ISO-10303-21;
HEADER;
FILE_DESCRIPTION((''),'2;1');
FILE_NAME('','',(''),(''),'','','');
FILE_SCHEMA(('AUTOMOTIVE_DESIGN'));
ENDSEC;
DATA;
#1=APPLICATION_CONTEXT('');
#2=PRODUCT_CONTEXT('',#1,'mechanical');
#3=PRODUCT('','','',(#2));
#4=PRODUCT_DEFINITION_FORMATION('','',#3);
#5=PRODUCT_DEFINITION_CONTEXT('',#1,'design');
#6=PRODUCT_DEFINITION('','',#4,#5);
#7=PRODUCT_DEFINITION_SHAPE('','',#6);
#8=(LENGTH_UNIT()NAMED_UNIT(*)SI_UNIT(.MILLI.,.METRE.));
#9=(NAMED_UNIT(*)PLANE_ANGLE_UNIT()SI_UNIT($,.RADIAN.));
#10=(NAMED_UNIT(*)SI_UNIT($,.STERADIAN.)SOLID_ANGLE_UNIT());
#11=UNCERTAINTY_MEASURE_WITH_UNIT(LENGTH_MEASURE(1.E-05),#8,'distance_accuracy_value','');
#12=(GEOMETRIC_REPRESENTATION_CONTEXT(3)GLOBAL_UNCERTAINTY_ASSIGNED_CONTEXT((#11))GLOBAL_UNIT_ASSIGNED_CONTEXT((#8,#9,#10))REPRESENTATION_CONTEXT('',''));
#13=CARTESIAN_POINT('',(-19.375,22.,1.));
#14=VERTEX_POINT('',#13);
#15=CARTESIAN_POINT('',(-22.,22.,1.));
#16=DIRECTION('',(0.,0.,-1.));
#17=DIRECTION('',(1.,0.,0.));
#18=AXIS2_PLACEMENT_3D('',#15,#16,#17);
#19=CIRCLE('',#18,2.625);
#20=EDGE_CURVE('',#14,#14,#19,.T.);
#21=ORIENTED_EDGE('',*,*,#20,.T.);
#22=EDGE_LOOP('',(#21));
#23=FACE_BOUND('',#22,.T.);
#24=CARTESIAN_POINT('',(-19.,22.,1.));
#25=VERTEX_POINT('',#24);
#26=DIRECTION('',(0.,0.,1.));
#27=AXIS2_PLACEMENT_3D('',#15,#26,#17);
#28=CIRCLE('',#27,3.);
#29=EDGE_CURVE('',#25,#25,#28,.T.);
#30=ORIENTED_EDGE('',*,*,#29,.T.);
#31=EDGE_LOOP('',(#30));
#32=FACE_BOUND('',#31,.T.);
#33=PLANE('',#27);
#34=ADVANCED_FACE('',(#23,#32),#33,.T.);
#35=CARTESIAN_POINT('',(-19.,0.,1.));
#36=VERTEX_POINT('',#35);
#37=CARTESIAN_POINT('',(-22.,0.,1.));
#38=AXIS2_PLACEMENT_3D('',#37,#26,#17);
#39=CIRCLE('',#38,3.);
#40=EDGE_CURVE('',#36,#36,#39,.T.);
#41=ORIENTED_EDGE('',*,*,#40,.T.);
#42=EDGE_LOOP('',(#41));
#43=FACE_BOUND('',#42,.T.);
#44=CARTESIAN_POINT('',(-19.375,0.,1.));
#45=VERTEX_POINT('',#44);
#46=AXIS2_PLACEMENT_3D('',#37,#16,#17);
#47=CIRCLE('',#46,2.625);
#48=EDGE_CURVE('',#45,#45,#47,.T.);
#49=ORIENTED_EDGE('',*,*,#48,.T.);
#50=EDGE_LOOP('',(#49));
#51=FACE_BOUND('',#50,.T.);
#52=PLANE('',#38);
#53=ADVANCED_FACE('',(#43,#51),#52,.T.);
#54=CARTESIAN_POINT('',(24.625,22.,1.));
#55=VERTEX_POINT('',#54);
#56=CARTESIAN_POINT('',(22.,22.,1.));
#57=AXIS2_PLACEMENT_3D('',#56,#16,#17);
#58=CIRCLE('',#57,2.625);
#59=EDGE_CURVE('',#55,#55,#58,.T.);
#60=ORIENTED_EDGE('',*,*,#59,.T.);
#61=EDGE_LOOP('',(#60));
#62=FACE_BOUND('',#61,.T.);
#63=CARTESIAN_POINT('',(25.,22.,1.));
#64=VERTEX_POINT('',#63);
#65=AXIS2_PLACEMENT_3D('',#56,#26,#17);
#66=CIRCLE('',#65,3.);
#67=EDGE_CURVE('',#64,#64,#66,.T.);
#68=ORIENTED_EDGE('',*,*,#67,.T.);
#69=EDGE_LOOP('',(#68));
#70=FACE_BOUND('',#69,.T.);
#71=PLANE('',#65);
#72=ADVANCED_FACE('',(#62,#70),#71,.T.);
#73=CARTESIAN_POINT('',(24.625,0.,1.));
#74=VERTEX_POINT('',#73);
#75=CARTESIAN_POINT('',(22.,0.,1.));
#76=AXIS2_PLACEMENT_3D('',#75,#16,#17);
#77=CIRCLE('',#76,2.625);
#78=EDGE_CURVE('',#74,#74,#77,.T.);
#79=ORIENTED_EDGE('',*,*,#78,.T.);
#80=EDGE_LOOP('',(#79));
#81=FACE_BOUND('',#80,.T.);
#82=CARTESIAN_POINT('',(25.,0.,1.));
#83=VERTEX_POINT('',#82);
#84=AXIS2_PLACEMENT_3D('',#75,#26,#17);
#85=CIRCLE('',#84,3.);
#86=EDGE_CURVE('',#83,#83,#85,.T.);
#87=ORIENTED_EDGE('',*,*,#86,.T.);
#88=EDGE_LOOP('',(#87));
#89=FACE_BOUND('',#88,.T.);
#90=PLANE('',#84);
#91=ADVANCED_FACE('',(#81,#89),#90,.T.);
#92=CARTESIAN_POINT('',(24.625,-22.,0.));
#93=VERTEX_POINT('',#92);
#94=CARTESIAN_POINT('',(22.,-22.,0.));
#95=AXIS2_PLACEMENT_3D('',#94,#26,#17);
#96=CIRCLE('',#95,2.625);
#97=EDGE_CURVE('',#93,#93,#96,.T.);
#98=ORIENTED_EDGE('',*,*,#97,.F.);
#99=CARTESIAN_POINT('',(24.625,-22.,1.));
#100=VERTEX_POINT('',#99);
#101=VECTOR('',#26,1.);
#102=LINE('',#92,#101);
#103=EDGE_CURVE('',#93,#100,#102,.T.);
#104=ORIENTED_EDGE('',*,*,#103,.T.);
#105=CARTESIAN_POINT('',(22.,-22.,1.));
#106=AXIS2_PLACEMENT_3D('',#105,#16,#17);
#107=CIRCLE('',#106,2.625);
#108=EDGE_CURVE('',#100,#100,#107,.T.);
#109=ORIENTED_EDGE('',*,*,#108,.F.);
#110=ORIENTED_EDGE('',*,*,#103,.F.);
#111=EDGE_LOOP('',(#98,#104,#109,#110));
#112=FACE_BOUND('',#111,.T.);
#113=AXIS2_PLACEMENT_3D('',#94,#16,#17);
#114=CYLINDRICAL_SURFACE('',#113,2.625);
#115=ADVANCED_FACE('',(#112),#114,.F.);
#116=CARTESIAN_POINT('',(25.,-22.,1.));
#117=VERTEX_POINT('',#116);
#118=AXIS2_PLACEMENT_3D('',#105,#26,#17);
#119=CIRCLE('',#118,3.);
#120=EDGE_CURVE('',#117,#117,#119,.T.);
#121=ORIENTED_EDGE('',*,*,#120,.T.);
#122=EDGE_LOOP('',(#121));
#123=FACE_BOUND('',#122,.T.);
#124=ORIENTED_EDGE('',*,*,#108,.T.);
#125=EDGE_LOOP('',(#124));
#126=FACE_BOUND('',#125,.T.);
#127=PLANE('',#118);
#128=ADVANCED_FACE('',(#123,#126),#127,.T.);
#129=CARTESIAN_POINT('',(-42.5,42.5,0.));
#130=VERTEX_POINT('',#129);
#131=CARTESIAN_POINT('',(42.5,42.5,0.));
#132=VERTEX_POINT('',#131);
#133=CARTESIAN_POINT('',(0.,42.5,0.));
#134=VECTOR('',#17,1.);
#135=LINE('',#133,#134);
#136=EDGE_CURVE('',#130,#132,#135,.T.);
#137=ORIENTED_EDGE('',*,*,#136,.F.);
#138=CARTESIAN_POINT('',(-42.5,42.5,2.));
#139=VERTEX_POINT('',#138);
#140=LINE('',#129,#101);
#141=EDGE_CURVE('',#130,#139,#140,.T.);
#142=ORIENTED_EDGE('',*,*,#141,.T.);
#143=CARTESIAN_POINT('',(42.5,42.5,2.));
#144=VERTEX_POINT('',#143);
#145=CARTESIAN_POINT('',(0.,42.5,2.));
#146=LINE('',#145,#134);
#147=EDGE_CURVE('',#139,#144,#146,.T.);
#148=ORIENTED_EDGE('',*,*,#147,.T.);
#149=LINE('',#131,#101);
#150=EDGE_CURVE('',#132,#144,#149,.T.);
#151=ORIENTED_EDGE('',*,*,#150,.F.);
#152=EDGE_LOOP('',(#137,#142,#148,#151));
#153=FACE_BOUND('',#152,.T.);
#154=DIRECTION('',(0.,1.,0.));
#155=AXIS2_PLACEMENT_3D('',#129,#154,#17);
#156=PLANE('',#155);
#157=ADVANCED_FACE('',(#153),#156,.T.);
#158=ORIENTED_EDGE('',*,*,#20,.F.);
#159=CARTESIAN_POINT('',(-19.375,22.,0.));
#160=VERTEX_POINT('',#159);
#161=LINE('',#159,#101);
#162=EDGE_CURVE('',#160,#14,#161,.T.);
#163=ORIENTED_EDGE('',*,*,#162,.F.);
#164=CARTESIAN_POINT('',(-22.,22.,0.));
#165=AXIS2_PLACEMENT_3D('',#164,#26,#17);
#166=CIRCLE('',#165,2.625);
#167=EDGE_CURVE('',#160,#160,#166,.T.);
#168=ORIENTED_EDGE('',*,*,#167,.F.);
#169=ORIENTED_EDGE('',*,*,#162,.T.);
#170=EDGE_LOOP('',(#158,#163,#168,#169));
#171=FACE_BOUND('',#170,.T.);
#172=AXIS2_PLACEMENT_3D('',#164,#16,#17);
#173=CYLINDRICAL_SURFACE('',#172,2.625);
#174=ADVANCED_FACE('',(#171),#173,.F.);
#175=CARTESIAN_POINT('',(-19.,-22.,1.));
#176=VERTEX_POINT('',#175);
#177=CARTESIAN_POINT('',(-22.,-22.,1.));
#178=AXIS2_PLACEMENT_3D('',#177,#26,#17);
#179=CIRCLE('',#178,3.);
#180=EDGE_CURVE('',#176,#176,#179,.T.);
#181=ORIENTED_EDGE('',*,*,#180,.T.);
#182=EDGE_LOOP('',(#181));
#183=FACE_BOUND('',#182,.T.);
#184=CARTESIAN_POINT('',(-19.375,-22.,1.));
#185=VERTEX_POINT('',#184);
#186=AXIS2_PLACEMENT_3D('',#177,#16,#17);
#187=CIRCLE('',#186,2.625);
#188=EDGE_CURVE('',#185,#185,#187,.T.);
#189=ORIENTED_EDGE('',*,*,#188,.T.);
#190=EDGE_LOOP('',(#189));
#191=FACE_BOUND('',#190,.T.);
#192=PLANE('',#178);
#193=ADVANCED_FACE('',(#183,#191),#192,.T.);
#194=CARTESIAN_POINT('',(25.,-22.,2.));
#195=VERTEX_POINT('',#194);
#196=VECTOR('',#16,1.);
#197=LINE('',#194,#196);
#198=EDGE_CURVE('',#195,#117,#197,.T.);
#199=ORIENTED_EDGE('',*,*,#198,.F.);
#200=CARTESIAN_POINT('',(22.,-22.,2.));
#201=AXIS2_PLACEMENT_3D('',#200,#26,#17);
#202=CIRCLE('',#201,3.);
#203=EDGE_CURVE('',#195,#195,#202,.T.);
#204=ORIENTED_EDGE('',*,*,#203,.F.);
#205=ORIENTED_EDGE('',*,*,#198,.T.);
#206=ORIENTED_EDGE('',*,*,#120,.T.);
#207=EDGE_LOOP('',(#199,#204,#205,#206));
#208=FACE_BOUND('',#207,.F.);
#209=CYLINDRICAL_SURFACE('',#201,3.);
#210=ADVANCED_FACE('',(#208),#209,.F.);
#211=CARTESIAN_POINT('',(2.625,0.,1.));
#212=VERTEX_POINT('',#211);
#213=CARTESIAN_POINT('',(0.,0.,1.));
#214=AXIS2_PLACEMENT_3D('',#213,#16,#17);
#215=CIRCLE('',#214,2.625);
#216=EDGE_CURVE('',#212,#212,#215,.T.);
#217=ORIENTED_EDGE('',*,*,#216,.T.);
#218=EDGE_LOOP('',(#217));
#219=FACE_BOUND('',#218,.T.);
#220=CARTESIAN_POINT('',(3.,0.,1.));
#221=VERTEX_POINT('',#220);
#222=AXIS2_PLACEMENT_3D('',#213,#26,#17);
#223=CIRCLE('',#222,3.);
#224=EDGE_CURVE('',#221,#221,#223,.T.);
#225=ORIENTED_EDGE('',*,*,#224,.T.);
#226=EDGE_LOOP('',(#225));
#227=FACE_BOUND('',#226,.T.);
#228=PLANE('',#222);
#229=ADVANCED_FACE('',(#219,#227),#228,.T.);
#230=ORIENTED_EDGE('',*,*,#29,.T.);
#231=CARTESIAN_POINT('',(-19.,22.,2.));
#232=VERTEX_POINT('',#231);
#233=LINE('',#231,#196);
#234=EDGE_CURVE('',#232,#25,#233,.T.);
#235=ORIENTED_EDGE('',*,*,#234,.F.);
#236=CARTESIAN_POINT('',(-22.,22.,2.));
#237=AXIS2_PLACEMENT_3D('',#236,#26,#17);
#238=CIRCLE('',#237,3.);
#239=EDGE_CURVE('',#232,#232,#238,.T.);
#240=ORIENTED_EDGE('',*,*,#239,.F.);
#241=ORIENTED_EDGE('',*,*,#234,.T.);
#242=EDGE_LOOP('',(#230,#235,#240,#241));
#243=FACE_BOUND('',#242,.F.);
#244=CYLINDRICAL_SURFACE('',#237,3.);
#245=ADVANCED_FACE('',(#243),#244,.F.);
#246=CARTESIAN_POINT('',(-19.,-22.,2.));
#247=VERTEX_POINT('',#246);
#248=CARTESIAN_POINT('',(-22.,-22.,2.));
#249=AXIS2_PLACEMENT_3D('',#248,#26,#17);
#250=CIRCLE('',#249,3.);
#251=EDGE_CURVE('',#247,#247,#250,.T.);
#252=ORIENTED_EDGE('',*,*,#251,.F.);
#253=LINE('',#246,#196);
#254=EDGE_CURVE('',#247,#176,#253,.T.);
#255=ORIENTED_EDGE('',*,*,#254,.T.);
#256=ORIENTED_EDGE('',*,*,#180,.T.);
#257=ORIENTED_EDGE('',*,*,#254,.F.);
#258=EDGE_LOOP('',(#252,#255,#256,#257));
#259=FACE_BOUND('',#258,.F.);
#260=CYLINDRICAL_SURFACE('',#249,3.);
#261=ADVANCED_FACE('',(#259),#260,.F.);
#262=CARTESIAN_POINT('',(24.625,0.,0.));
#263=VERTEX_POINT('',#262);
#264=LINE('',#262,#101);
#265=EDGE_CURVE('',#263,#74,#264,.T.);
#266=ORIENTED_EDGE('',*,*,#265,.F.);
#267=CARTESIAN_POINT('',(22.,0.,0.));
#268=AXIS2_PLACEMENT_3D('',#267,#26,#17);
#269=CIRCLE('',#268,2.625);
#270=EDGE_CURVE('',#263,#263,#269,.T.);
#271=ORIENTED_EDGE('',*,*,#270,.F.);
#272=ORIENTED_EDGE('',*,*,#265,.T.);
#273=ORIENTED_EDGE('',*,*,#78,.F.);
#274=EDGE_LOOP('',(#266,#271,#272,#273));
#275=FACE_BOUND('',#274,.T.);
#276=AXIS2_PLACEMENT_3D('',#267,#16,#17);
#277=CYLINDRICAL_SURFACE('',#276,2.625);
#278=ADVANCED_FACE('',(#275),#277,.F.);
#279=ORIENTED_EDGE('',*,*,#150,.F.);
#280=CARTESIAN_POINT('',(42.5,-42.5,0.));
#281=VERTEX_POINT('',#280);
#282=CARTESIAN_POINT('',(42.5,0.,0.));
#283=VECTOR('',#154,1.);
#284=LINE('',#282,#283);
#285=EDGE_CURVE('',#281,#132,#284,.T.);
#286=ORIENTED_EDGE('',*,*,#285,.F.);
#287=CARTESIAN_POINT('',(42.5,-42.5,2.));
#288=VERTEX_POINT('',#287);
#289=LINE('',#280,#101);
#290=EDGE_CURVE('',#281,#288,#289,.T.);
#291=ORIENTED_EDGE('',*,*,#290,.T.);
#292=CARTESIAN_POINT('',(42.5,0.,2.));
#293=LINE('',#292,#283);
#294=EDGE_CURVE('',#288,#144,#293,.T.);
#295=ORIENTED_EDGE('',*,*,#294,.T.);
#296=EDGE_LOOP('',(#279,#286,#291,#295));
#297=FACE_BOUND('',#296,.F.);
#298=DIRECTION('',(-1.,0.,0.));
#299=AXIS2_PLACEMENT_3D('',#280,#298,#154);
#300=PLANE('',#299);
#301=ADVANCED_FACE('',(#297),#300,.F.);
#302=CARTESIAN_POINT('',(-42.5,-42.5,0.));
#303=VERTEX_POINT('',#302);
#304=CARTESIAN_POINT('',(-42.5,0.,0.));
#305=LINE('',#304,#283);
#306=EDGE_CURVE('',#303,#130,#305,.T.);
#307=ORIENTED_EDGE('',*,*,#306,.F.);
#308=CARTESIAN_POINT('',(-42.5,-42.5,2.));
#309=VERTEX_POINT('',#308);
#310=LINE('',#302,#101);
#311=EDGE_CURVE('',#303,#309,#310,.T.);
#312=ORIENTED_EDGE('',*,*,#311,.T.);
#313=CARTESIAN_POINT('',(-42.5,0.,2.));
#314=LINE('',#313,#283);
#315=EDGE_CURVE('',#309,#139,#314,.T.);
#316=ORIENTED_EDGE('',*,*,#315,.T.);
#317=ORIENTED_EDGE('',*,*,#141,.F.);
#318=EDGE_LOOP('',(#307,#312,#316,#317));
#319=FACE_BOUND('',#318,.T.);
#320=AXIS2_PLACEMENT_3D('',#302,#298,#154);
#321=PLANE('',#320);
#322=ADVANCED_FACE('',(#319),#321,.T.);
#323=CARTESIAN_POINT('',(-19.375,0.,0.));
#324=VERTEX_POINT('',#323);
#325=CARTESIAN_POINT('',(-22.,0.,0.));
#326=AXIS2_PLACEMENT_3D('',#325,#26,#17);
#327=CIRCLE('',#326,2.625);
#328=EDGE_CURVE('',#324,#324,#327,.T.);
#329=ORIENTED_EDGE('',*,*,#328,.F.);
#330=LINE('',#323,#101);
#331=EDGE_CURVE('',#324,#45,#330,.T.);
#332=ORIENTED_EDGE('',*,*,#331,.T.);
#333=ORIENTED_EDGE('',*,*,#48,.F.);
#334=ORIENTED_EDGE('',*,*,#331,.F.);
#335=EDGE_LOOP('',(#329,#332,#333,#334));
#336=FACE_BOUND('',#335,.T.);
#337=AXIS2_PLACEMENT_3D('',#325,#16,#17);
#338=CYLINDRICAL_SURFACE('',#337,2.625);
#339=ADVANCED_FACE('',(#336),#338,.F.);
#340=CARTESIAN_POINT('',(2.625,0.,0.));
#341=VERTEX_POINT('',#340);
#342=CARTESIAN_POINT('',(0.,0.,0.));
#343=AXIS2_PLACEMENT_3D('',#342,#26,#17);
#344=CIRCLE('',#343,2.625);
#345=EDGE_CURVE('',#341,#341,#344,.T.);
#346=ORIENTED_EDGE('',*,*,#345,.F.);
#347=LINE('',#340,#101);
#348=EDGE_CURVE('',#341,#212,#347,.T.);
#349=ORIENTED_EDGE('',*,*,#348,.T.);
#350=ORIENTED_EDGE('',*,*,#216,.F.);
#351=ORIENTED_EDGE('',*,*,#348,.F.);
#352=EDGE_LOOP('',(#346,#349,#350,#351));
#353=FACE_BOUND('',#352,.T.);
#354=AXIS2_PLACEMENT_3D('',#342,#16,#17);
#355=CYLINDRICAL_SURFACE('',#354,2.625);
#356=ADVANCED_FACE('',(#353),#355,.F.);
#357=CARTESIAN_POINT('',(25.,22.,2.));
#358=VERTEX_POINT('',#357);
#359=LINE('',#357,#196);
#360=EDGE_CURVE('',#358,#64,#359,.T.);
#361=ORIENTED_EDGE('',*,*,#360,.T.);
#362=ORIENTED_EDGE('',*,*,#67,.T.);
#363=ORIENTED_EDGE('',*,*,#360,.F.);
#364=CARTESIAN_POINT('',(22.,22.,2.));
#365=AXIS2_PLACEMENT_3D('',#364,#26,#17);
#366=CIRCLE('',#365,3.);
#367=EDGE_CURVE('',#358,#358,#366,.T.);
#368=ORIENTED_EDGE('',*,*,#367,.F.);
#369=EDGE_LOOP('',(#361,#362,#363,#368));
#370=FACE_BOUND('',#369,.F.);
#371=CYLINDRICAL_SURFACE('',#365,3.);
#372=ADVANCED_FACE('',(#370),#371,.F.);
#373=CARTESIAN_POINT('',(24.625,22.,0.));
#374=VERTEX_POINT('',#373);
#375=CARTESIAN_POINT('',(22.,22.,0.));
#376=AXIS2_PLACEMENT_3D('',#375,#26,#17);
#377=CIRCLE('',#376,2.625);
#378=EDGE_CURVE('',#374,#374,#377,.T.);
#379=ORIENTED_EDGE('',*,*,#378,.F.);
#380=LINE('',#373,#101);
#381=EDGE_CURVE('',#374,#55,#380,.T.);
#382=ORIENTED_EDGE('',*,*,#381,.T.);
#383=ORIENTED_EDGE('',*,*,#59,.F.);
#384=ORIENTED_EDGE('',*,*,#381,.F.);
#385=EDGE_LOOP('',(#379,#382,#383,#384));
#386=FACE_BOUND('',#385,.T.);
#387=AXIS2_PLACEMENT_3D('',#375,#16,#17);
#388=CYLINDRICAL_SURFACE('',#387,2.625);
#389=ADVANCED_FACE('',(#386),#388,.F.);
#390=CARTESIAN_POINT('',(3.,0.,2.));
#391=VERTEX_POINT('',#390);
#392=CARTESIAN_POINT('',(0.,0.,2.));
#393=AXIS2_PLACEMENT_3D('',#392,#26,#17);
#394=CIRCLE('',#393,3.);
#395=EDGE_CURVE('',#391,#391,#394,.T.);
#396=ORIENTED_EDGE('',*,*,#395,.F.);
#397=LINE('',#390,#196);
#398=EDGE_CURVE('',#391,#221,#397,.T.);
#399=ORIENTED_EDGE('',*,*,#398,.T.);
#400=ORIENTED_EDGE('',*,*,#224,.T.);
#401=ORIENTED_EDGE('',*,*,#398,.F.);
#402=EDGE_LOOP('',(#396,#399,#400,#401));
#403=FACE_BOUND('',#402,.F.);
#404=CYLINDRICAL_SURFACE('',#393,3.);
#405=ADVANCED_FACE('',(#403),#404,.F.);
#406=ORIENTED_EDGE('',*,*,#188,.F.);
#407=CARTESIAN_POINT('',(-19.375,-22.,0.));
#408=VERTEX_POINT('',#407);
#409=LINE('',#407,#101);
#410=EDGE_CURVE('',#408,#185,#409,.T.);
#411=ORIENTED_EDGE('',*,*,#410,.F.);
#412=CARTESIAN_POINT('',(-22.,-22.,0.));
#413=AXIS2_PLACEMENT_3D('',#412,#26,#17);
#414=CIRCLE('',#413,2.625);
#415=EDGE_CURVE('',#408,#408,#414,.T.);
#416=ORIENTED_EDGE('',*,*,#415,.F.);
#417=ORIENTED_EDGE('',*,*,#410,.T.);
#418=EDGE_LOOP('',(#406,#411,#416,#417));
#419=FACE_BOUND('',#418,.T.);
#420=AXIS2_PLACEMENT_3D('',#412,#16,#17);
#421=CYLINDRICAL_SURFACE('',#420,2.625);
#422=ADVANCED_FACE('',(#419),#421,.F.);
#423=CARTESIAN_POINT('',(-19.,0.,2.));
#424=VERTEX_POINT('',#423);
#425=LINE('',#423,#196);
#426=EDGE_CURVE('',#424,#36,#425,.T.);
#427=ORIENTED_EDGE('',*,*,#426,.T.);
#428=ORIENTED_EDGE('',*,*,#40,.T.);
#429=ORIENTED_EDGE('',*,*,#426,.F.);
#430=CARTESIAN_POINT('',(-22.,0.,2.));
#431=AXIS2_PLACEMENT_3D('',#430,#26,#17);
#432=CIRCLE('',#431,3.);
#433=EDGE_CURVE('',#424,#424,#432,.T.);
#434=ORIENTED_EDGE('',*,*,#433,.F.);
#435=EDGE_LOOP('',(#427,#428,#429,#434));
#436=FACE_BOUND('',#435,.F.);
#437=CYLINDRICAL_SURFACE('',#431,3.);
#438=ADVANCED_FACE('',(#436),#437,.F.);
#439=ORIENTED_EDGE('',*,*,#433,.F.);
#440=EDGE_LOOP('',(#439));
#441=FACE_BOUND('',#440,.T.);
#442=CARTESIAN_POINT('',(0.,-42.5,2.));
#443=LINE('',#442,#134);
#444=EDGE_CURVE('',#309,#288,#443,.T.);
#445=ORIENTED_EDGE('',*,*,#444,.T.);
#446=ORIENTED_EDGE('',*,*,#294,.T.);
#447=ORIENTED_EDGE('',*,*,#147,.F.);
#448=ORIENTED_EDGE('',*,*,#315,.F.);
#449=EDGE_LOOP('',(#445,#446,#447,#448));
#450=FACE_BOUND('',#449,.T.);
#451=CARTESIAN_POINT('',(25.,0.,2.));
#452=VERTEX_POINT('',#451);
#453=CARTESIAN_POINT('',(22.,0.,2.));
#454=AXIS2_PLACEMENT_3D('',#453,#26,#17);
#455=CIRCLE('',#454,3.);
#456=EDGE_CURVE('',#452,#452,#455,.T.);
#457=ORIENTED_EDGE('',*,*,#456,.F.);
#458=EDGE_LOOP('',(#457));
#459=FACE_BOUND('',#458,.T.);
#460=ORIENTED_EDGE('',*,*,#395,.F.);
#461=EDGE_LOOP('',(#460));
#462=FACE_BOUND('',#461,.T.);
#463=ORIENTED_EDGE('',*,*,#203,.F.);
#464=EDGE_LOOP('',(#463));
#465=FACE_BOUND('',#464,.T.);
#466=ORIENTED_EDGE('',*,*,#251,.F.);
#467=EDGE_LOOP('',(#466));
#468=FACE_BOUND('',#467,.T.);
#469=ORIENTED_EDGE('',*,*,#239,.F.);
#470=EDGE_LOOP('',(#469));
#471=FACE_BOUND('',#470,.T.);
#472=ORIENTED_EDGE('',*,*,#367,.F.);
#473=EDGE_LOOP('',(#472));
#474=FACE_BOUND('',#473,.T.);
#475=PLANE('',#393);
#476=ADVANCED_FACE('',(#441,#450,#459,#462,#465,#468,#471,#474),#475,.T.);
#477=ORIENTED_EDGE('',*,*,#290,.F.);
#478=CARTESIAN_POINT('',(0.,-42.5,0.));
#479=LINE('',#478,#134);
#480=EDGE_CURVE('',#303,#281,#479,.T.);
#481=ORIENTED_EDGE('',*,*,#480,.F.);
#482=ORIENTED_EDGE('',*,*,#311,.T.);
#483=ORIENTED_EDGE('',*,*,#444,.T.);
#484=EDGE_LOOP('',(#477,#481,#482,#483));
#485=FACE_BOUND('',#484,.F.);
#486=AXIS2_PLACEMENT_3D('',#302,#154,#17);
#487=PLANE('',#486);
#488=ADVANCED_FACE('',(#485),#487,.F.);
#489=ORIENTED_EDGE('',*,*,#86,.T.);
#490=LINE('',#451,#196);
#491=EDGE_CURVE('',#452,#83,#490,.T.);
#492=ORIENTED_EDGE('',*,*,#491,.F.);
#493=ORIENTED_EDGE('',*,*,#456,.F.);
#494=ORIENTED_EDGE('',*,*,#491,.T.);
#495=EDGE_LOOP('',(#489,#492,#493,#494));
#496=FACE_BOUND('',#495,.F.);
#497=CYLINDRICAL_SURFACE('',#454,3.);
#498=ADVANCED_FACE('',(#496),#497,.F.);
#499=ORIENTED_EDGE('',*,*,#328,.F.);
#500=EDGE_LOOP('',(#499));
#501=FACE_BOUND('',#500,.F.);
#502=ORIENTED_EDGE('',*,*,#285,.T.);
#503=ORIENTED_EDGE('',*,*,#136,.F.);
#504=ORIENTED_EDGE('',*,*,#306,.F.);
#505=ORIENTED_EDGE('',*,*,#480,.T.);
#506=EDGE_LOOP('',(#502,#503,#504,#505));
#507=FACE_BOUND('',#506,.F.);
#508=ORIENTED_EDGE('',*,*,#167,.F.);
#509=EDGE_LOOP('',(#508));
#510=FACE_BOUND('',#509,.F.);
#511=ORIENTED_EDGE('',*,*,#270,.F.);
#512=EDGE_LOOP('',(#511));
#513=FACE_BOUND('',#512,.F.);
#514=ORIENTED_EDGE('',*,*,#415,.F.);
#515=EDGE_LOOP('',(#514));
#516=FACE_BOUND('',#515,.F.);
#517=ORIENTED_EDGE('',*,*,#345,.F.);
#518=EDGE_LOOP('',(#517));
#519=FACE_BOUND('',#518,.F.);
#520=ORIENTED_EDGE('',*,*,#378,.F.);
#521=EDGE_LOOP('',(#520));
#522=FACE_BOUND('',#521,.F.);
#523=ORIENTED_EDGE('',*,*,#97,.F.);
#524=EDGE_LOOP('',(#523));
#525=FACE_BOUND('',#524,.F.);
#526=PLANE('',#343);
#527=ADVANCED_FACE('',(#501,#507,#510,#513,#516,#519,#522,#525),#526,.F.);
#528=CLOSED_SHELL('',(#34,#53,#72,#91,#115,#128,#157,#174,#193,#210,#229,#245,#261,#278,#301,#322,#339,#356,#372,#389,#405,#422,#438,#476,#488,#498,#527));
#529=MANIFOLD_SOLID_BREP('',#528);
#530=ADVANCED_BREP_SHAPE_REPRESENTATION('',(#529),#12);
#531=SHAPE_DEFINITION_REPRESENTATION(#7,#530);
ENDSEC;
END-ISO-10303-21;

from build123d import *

# Parameters (mm, degrees)
SKETCH_W     = 85
SKETCH_H     = 85
SKETCH_R     = 2.625
PAD_DEPTH    = 2
SKETCH001_R  = 3
POCKET_DEPTH = 1


with BuildPart() as part:
    # Sketch → Pad (new body)
    with BuildSketch(Plane.XY):
        Rectangle(SKETCH_W, SKETCH_H)
        with Locations((-22, 22)):
            Circle(SKETCH_R, mode=Mode.SUBTRACT)
        with Locations((-22, 0)):
            Circle(SKETCH_R, mode=Mode.SUBTRACT)
        with Locations((-22, -22)):
            Circle(SKETCH_R, mode=Mode.SUBTRACT)
        Circle(SKETCH_R, mode=Mode.SUBTRACT)
        with Locations((22, 22)):
            Circle(SKETCH_R, mode=Mode.SUBTRACT)
        with Locations((22, 0)):
            Circle(SKETCH_R, mode=Mode.SUBTRACT)
        with Locations((22, -22)):
            Circle(SKETCH_R, mode=Mode.SUBTRACT)
    extrude(amount=PAD_DEPTH)

    # Sketch001 (on Face13 of Pad) → Pocket (cut)
    with BuildSketch(Plane.XY.offset(2)):
        with Locations((-22, 22)):
            Circle(SKETCH001_R)
        with Locations((-22, 0)):
            Circle(SKETCH001_R)
        with Locations((-22, -22)):
            Circle(SKETCH001_R)
        Circle(SKETCH001_R)
        with Locations((22, 0)):
            Circle(SKETCH001_R)
        with Locations((22, 22)):
            Circle(SKETCH001_R)
        with Locations((22, -22)):
            Circle(SKETCH001_R)
    extrude(amount=-POCKET_DEPTH, mode=Mode.SUBTRACT)


solid = part.part
